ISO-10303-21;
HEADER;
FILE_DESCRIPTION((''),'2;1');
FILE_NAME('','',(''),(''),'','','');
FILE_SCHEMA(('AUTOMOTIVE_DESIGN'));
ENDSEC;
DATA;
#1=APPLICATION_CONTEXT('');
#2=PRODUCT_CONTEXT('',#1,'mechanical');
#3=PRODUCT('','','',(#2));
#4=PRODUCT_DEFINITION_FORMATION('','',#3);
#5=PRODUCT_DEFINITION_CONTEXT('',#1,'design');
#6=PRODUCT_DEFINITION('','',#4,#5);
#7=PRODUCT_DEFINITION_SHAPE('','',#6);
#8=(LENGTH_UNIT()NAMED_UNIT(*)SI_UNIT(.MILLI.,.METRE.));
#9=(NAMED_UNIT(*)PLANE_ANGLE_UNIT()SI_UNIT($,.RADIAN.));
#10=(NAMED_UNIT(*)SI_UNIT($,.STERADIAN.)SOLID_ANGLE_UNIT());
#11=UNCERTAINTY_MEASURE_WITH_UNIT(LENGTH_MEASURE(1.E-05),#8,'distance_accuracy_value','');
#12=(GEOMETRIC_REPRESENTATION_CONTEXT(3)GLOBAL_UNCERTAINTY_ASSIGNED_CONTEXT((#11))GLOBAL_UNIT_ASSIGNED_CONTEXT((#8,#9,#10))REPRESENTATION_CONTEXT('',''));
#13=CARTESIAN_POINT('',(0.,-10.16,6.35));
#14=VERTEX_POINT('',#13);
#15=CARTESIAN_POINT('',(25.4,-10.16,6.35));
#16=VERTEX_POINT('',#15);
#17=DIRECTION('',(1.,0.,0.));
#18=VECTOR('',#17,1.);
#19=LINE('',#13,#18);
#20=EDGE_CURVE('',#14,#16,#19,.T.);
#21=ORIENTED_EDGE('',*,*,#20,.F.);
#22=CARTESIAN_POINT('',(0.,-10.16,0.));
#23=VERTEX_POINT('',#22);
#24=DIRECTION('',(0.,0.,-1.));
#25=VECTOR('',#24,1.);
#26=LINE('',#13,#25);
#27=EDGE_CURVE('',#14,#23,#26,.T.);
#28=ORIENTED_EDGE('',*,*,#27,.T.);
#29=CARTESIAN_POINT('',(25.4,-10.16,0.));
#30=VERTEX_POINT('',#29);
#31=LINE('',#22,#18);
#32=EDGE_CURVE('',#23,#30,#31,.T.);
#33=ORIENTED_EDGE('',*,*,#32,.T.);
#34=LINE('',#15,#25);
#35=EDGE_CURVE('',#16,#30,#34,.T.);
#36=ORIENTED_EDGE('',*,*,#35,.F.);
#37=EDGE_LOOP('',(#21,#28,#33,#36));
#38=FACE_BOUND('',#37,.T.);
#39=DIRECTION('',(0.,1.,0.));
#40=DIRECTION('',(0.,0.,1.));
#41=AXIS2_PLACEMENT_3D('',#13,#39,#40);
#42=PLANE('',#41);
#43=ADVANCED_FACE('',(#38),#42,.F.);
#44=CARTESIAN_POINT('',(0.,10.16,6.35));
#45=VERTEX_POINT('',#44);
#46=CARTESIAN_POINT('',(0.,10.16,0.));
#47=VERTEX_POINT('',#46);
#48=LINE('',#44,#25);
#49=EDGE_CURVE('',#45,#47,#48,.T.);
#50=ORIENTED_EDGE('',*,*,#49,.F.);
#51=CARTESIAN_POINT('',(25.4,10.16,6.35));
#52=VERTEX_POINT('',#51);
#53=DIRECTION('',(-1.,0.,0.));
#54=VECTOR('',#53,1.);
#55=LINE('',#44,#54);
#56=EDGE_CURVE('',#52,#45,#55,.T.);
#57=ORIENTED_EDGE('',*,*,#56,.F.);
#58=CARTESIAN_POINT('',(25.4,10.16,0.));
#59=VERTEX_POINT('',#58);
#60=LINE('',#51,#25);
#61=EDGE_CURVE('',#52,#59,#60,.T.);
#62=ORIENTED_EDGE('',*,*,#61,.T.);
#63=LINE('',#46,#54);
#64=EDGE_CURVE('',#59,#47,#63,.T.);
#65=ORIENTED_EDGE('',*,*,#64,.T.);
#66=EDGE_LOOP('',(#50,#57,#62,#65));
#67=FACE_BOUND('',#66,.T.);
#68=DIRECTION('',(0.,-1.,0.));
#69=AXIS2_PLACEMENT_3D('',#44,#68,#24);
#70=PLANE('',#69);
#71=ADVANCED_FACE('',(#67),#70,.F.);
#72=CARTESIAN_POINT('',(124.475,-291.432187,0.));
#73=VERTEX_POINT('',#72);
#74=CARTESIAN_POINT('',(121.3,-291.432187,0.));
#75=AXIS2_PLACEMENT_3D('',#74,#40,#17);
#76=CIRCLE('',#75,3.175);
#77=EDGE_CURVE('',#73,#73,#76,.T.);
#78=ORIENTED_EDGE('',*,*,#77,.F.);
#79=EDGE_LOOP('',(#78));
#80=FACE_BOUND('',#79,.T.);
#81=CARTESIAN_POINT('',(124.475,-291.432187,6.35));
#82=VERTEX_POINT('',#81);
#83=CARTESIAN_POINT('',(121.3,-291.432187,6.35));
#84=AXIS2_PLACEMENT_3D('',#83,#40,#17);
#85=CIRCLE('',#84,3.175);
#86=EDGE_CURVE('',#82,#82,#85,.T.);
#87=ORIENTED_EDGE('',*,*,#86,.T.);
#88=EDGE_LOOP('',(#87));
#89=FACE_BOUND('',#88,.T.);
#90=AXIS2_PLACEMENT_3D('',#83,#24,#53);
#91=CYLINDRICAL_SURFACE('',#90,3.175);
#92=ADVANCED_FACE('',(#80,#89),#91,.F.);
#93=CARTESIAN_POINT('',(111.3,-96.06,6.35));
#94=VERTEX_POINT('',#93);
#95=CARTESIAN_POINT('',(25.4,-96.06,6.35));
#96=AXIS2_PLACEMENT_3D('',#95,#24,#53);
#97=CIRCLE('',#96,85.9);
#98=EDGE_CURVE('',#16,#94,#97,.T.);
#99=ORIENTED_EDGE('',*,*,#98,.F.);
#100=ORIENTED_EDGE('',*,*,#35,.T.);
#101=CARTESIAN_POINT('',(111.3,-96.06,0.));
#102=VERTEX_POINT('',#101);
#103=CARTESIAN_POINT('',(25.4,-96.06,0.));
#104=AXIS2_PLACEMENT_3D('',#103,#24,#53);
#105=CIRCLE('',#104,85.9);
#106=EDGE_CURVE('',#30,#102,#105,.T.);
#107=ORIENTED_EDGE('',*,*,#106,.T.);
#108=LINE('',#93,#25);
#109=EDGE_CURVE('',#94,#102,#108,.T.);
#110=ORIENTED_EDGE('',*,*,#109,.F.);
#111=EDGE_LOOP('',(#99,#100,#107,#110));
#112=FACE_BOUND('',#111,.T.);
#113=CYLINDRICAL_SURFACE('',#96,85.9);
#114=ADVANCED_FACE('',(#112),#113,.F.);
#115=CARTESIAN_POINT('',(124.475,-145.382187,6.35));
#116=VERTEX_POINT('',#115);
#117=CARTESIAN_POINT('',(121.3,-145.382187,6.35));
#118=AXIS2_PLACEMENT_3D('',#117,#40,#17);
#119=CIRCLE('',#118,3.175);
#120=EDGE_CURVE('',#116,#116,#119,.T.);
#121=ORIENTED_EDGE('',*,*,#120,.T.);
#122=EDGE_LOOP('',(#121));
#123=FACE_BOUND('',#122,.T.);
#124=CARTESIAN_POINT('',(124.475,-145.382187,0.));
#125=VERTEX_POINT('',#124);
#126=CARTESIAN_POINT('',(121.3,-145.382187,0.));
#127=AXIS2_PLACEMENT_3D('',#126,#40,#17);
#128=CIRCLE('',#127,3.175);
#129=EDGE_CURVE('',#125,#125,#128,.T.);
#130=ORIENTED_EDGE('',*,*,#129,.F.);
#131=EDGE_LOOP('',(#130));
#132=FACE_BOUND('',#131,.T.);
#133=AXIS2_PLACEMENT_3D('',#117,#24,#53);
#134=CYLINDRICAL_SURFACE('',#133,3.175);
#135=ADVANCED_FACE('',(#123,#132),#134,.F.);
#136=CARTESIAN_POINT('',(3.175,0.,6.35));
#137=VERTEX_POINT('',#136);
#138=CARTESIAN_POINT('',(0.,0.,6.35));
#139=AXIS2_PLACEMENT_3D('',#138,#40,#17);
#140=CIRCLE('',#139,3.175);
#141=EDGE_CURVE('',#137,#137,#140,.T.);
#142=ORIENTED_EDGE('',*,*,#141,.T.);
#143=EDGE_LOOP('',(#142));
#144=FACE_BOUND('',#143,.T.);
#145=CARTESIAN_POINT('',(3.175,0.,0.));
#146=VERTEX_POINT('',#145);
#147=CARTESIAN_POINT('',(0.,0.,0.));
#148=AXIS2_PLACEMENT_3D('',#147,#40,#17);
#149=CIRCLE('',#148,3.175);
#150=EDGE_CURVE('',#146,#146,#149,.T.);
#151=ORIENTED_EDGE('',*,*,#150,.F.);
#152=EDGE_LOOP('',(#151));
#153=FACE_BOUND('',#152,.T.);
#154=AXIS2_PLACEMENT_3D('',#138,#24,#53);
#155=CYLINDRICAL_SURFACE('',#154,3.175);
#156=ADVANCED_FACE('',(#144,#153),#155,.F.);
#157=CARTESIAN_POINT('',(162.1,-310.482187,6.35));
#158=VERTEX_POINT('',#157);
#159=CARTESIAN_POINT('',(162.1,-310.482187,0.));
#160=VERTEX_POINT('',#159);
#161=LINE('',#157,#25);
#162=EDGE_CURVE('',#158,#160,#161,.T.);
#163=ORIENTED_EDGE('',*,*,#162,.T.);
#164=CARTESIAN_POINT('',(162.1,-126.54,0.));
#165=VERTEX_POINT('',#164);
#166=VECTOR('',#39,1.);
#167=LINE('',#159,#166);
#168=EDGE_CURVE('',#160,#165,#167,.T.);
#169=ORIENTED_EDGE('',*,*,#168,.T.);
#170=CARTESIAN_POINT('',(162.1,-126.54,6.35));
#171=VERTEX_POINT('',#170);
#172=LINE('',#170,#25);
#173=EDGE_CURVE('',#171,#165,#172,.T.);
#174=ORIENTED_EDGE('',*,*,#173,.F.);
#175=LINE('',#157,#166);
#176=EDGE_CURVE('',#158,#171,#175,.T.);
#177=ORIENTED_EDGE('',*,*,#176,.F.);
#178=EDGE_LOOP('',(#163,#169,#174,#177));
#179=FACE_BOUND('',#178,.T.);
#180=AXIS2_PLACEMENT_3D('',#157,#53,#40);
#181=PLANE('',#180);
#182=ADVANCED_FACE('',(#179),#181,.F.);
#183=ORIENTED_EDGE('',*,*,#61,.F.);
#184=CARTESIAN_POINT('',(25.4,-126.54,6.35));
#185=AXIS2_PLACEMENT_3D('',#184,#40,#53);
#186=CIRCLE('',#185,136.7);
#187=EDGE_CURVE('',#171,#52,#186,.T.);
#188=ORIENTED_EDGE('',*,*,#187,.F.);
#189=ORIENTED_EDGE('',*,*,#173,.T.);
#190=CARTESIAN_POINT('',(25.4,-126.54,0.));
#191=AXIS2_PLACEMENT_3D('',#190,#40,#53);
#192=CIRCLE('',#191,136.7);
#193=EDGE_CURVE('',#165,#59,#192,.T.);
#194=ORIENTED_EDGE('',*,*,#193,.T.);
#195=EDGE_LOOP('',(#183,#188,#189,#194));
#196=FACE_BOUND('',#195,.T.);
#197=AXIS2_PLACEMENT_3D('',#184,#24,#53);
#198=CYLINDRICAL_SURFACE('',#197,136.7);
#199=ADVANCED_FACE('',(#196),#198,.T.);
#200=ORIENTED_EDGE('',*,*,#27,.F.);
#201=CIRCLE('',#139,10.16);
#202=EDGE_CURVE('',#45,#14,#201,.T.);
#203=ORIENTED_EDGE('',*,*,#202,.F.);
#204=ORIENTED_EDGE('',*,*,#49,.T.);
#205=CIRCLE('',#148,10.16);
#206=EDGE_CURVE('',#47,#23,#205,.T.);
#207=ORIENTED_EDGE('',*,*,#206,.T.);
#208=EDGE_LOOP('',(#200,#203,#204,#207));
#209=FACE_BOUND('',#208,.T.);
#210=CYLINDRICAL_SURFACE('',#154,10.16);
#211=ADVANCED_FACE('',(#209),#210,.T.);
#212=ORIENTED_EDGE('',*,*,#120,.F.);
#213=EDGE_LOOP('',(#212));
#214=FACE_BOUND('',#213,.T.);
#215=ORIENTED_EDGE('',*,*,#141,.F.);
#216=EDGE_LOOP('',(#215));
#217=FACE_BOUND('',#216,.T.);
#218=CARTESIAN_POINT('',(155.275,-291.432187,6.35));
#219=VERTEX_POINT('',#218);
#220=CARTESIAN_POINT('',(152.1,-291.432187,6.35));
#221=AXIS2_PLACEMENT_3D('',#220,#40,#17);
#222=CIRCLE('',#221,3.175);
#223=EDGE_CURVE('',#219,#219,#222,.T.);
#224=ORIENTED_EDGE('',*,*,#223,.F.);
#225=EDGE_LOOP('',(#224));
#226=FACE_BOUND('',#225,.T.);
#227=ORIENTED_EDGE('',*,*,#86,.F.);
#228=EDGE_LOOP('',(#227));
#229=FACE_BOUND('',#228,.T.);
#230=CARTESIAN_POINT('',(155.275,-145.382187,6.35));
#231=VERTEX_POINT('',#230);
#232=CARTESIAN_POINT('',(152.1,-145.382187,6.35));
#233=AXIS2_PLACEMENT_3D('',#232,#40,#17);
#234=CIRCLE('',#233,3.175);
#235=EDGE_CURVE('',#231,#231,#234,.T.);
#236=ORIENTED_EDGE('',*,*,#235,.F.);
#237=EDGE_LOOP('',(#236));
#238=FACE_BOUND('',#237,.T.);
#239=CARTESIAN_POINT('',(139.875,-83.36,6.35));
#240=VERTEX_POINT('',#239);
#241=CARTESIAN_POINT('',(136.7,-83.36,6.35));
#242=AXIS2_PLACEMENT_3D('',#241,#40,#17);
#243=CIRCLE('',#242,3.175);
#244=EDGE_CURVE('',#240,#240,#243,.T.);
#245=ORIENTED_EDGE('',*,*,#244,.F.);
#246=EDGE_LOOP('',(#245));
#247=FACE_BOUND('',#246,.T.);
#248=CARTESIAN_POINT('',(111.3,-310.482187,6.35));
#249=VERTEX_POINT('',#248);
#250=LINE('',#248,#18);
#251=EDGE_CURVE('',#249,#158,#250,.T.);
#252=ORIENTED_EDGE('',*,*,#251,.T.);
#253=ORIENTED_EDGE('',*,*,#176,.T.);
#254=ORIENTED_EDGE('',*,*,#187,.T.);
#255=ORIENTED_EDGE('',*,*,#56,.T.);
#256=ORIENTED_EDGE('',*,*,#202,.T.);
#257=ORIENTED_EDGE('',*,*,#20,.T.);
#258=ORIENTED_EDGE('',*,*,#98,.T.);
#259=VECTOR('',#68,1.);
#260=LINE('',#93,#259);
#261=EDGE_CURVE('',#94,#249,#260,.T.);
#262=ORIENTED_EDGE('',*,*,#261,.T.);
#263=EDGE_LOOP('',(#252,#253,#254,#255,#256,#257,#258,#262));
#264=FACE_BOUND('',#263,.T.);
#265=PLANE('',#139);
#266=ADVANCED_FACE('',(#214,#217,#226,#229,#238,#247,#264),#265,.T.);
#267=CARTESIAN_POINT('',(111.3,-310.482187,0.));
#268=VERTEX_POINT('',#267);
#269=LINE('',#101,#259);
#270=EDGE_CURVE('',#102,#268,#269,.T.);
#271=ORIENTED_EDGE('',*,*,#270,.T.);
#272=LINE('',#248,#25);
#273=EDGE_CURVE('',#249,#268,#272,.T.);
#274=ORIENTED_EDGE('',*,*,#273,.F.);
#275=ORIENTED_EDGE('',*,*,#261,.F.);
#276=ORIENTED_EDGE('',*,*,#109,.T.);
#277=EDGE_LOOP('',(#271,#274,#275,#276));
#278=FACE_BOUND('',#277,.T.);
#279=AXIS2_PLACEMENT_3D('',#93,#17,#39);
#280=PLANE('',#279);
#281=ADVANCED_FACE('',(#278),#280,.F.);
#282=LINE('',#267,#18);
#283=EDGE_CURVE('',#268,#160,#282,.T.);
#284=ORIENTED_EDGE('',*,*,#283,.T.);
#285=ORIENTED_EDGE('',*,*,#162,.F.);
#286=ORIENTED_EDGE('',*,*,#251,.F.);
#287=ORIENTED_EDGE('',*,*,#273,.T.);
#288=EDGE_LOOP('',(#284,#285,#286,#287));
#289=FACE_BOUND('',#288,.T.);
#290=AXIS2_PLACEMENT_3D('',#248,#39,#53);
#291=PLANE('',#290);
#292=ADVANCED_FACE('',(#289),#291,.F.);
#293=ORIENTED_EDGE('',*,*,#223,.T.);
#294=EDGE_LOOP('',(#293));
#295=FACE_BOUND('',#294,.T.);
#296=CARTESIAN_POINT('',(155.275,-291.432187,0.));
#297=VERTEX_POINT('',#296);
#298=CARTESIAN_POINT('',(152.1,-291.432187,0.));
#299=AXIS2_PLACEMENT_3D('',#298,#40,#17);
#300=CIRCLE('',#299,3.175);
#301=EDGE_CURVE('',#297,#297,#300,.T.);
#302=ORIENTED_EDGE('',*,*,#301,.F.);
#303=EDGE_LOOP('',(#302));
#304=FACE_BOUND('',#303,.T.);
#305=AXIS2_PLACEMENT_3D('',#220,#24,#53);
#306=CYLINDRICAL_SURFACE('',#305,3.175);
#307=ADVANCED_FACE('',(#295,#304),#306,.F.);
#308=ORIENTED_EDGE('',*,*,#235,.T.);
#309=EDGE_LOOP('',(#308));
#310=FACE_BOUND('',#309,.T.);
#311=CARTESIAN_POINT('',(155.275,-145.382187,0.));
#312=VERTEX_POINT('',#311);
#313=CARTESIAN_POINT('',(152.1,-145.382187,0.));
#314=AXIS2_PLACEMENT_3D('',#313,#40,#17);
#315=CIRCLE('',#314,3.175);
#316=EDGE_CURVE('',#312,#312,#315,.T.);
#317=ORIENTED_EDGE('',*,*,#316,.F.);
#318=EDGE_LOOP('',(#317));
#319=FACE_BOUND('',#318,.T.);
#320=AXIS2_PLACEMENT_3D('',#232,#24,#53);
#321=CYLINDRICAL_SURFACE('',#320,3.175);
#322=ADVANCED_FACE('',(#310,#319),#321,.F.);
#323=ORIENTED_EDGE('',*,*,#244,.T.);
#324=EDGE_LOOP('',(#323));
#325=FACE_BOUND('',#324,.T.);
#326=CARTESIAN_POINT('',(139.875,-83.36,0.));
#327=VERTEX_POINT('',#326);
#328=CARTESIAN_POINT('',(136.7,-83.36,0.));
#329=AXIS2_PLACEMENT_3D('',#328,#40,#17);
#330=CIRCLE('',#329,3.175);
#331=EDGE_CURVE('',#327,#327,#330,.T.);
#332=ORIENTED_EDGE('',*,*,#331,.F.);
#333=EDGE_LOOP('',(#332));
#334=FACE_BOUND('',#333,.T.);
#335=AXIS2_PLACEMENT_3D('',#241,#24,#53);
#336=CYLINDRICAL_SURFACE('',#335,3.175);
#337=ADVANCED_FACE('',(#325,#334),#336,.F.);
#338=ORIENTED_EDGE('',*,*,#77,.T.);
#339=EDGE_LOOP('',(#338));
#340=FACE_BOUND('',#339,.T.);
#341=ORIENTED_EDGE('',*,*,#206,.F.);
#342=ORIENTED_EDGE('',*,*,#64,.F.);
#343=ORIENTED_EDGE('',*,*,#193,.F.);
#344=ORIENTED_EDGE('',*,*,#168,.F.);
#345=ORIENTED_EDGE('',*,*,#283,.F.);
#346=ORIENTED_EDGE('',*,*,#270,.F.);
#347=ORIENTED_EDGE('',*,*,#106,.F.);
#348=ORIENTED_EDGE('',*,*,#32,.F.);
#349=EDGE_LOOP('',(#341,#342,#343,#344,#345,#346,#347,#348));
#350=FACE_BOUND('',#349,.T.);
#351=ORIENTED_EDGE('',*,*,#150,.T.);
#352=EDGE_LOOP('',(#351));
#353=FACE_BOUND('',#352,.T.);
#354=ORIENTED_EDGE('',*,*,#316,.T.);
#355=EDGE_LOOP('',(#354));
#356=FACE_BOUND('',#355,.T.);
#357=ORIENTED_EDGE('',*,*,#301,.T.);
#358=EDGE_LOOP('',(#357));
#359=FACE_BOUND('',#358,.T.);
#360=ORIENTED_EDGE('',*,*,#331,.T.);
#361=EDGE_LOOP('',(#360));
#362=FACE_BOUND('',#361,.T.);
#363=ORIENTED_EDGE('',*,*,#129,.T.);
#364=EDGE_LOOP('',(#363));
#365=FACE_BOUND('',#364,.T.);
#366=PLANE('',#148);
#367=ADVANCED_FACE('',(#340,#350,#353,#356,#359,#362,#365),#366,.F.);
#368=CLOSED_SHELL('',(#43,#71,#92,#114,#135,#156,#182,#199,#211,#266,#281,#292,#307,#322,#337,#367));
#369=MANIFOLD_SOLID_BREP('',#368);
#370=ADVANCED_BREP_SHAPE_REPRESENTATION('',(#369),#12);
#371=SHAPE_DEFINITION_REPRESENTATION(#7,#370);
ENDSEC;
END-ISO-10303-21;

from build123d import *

# Parameters (mm, degrees)
SKETCH1_R           = 3.175
BOSS_EXTRUDE1_DEPTH = 6.35


with BuildPart() as part:
    # Sketch1 → Boss-Extrude1 (new body)
    with BuildSketch(Plane.XY):
        with BuildLine():
            Line((0, 10.16), (25.4, 10.16))
            ThreePointArc((25.4, 10.16), (122.061496988, -29.878503012), (162.1, -126.54))
            Line((162.1, -126.54), (162.1, -310.482187261))
            Line((162.1, -310.482187261), (111.3, -310.482187261))
            Line((111.3, -310.482187261), (111.3, -96.06))
            ThreePointArc((111.3, -96.06), (86.140472504, -35.319527496), (25.4, -10.16))
            Line((25.4, -10.16), (0, -10.16))
            ThreePointArc((0, -10.16), (-10.16, 0), (0, 10.16))
        make_face()
        Circle(SKETCH1_R, mode=Mode.SUBTRACT)
        with Locations((136.7, -83.36)):
            Circle(SKETCH1_R, mode=Mode.SUBTRACT)
        with Locations((121.3, -291.432187261)):
            Circle(SKETCH1_R, mode=Mode.SUBTRACT)
        with Locations((152.1, -291.432187261)):
            Circle(SKETCH1_R, mode=Mode.SUBTRACT)
        with Locations((121.3, -145.382187261)):
            Circle(SKETCH1_R, mode=Mode.SUBTRACT)
        with Locations((152.1, -145.382187261)):
            Circle(SKETCH1_R, mode=Mode.SUBTRACT)
    extrude(amount=BOSS_EXTRUDE1_DEPTH)


solid = part.part
